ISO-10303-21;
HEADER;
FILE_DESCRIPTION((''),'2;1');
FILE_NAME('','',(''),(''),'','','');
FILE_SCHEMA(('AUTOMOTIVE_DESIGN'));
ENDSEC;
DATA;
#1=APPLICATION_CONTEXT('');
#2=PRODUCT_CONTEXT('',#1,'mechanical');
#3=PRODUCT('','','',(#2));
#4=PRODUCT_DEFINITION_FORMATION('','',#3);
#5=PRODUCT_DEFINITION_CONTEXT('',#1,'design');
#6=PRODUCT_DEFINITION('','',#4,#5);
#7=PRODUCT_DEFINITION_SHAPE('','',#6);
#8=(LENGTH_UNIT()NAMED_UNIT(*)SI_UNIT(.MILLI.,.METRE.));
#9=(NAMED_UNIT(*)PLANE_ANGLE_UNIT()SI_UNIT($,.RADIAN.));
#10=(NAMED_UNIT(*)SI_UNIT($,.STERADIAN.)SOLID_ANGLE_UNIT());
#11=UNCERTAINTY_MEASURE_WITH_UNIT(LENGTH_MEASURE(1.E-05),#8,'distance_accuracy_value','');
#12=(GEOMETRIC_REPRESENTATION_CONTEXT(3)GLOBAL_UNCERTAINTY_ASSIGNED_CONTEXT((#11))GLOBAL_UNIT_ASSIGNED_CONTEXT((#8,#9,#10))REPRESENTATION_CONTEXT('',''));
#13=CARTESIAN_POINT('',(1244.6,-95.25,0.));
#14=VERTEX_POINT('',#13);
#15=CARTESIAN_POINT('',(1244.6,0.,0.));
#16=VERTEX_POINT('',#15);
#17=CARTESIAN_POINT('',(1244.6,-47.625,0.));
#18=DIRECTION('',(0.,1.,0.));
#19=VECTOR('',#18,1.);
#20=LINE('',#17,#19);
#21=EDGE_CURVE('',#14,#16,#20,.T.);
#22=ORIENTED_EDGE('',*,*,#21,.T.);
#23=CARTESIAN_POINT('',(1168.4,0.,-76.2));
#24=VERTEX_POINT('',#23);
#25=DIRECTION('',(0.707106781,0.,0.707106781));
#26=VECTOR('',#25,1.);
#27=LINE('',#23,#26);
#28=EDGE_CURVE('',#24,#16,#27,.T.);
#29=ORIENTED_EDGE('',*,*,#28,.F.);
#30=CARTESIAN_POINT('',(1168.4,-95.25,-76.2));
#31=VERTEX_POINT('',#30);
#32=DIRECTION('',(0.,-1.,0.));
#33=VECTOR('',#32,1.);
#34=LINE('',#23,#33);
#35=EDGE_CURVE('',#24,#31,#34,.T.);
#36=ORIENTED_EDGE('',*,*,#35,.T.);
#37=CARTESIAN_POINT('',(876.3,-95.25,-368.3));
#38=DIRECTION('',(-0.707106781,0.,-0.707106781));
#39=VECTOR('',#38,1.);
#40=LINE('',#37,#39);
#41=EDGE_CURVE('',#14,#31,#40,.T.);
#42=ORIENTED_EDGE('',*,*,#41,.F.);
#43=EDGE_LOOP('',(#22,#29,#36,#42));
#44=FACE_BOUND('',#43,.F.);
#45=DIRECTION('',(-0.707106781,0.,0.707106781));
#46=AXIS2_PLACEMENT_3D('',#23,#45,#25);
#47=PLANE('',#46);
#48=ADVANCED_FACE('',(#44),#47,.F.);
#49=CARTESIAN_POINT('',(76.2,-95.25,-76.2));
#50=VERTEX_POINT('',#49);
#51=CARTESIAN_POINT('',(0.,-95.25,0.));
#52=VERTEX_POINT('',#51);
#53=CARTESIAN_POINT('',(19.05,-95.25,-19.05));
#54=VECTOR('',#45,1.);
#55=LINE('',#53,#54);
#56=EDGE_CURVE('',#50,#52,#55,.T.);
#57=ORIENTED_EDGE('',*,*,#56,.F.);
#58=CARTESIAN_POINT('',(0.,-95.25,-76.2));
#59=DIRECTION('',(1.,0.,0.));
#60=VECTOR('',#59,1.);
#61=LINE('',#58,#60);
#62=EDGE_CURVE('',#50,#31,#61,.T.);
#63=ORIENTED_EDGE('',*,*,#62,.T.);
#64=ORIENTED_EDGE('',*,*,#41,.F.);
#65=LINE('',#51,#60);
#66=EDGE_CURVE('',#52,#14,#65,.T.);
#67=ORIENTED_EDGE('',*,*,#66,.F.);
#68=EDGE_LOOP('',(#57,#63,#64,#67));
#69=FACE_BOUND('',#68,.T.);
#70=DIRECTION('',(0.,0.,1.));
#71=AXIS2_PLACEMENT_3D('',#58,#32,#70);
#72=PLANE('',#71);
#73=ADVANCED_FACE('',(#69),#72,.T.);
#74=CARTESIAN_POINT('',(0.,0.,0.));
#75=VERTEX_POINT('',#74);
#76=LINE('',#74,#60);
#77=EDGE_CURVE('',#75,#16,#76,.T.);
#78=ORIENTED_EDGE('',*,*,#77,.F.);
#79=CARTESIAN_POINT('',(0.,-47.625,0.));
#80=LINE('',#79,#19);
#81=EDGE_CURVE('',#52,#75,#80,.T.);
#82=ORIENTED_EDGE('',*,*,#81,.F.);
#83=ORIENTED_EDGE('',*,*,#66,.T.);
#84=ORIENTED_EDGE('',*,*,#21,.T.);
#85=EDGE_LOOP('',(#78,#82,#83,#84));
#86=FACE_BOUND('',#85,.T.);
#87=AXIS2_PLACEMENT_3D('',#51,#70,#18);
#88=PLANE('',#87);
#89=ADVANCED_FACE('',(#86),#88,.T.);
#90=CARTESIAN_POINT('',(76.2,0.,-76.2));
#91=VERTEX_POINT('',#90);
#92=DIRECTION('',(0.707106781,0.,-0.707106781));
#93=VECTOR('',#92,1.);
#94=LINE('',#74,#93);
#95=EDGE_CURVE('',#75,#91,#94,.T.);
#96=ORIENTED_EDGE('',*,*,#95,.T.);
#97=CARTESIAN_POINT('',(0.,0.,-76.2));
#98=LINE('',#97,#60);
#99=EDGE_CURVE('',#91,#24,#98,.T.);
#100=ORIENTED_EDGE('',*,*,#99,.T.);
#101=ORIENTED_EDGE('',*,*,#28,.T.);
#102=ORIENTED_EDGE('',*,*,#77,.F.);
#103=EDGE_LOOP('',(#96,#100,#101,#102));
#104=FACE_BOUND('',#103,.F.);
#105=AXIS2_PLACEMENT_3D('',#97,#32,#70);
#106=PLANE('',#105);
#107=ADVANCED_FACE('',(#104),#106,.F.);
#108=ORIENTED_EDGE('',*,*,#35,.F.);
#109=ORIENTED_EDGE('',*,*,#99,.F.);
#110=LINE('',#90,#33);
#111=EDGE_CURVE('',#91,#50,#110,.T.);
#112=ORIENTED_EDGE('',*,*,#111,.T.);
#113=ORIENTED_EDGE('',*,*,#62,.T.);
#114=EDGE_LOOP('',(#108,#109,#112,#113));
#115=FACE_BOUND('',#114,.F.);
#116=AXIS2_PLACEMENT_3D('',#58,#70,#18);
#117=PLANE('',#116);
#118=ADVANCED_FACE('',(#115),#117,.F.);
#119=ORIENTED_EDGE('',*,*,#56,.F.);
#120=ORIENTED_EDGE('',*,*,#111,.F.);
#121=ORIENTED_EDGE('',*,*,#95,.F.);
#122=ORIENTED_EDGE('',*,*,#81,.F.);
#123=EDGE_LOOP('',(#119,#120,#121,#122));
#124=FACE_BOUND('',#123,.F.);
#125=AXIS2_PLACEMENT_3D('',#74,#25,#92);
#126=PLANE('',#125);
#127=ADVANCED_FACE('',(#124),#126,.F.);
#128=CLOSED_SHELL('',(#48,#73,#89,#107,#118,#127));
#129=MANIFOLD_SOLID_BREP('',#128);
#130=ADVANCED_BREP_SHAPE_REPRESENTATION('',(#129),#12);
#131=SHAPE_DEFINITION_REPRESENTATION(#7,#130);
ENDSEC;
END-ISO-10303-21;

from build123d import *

# Parameters (mm, degrees)
F0_W     = 95.25
F0_H     = 76.2
F1_DEPTH = 1244.6
F3_DEPTH = 95.251


with BuildPart() as f1:
    # F0 (on Right) → F1 (new body)
    with BuildSketch(Plane.YZ):
        with Locations((-47.625, -38.1)):
            Rectangle(F0_W, F0_H)
    extrude(amount=F1_DEPTH)

    # F2 (on face) → F3 (cut, through all)
    with BuildSketch(Plane(origin=(0, 0, 0), x_dir=(-1, 0, 0), z_dir=(0, 1, 0))):
        Polygon((-1168.4, -76.2), (-1244.6, 0), (-1244.6, -76.2), align=None)
        Polygon((0, -76.2), (0, 0), (-76.2, -76.2), align=None)
    extrude(amount=-F3_DEPTH, mode=Mode.SUBTRACT)


solid = f1.part
